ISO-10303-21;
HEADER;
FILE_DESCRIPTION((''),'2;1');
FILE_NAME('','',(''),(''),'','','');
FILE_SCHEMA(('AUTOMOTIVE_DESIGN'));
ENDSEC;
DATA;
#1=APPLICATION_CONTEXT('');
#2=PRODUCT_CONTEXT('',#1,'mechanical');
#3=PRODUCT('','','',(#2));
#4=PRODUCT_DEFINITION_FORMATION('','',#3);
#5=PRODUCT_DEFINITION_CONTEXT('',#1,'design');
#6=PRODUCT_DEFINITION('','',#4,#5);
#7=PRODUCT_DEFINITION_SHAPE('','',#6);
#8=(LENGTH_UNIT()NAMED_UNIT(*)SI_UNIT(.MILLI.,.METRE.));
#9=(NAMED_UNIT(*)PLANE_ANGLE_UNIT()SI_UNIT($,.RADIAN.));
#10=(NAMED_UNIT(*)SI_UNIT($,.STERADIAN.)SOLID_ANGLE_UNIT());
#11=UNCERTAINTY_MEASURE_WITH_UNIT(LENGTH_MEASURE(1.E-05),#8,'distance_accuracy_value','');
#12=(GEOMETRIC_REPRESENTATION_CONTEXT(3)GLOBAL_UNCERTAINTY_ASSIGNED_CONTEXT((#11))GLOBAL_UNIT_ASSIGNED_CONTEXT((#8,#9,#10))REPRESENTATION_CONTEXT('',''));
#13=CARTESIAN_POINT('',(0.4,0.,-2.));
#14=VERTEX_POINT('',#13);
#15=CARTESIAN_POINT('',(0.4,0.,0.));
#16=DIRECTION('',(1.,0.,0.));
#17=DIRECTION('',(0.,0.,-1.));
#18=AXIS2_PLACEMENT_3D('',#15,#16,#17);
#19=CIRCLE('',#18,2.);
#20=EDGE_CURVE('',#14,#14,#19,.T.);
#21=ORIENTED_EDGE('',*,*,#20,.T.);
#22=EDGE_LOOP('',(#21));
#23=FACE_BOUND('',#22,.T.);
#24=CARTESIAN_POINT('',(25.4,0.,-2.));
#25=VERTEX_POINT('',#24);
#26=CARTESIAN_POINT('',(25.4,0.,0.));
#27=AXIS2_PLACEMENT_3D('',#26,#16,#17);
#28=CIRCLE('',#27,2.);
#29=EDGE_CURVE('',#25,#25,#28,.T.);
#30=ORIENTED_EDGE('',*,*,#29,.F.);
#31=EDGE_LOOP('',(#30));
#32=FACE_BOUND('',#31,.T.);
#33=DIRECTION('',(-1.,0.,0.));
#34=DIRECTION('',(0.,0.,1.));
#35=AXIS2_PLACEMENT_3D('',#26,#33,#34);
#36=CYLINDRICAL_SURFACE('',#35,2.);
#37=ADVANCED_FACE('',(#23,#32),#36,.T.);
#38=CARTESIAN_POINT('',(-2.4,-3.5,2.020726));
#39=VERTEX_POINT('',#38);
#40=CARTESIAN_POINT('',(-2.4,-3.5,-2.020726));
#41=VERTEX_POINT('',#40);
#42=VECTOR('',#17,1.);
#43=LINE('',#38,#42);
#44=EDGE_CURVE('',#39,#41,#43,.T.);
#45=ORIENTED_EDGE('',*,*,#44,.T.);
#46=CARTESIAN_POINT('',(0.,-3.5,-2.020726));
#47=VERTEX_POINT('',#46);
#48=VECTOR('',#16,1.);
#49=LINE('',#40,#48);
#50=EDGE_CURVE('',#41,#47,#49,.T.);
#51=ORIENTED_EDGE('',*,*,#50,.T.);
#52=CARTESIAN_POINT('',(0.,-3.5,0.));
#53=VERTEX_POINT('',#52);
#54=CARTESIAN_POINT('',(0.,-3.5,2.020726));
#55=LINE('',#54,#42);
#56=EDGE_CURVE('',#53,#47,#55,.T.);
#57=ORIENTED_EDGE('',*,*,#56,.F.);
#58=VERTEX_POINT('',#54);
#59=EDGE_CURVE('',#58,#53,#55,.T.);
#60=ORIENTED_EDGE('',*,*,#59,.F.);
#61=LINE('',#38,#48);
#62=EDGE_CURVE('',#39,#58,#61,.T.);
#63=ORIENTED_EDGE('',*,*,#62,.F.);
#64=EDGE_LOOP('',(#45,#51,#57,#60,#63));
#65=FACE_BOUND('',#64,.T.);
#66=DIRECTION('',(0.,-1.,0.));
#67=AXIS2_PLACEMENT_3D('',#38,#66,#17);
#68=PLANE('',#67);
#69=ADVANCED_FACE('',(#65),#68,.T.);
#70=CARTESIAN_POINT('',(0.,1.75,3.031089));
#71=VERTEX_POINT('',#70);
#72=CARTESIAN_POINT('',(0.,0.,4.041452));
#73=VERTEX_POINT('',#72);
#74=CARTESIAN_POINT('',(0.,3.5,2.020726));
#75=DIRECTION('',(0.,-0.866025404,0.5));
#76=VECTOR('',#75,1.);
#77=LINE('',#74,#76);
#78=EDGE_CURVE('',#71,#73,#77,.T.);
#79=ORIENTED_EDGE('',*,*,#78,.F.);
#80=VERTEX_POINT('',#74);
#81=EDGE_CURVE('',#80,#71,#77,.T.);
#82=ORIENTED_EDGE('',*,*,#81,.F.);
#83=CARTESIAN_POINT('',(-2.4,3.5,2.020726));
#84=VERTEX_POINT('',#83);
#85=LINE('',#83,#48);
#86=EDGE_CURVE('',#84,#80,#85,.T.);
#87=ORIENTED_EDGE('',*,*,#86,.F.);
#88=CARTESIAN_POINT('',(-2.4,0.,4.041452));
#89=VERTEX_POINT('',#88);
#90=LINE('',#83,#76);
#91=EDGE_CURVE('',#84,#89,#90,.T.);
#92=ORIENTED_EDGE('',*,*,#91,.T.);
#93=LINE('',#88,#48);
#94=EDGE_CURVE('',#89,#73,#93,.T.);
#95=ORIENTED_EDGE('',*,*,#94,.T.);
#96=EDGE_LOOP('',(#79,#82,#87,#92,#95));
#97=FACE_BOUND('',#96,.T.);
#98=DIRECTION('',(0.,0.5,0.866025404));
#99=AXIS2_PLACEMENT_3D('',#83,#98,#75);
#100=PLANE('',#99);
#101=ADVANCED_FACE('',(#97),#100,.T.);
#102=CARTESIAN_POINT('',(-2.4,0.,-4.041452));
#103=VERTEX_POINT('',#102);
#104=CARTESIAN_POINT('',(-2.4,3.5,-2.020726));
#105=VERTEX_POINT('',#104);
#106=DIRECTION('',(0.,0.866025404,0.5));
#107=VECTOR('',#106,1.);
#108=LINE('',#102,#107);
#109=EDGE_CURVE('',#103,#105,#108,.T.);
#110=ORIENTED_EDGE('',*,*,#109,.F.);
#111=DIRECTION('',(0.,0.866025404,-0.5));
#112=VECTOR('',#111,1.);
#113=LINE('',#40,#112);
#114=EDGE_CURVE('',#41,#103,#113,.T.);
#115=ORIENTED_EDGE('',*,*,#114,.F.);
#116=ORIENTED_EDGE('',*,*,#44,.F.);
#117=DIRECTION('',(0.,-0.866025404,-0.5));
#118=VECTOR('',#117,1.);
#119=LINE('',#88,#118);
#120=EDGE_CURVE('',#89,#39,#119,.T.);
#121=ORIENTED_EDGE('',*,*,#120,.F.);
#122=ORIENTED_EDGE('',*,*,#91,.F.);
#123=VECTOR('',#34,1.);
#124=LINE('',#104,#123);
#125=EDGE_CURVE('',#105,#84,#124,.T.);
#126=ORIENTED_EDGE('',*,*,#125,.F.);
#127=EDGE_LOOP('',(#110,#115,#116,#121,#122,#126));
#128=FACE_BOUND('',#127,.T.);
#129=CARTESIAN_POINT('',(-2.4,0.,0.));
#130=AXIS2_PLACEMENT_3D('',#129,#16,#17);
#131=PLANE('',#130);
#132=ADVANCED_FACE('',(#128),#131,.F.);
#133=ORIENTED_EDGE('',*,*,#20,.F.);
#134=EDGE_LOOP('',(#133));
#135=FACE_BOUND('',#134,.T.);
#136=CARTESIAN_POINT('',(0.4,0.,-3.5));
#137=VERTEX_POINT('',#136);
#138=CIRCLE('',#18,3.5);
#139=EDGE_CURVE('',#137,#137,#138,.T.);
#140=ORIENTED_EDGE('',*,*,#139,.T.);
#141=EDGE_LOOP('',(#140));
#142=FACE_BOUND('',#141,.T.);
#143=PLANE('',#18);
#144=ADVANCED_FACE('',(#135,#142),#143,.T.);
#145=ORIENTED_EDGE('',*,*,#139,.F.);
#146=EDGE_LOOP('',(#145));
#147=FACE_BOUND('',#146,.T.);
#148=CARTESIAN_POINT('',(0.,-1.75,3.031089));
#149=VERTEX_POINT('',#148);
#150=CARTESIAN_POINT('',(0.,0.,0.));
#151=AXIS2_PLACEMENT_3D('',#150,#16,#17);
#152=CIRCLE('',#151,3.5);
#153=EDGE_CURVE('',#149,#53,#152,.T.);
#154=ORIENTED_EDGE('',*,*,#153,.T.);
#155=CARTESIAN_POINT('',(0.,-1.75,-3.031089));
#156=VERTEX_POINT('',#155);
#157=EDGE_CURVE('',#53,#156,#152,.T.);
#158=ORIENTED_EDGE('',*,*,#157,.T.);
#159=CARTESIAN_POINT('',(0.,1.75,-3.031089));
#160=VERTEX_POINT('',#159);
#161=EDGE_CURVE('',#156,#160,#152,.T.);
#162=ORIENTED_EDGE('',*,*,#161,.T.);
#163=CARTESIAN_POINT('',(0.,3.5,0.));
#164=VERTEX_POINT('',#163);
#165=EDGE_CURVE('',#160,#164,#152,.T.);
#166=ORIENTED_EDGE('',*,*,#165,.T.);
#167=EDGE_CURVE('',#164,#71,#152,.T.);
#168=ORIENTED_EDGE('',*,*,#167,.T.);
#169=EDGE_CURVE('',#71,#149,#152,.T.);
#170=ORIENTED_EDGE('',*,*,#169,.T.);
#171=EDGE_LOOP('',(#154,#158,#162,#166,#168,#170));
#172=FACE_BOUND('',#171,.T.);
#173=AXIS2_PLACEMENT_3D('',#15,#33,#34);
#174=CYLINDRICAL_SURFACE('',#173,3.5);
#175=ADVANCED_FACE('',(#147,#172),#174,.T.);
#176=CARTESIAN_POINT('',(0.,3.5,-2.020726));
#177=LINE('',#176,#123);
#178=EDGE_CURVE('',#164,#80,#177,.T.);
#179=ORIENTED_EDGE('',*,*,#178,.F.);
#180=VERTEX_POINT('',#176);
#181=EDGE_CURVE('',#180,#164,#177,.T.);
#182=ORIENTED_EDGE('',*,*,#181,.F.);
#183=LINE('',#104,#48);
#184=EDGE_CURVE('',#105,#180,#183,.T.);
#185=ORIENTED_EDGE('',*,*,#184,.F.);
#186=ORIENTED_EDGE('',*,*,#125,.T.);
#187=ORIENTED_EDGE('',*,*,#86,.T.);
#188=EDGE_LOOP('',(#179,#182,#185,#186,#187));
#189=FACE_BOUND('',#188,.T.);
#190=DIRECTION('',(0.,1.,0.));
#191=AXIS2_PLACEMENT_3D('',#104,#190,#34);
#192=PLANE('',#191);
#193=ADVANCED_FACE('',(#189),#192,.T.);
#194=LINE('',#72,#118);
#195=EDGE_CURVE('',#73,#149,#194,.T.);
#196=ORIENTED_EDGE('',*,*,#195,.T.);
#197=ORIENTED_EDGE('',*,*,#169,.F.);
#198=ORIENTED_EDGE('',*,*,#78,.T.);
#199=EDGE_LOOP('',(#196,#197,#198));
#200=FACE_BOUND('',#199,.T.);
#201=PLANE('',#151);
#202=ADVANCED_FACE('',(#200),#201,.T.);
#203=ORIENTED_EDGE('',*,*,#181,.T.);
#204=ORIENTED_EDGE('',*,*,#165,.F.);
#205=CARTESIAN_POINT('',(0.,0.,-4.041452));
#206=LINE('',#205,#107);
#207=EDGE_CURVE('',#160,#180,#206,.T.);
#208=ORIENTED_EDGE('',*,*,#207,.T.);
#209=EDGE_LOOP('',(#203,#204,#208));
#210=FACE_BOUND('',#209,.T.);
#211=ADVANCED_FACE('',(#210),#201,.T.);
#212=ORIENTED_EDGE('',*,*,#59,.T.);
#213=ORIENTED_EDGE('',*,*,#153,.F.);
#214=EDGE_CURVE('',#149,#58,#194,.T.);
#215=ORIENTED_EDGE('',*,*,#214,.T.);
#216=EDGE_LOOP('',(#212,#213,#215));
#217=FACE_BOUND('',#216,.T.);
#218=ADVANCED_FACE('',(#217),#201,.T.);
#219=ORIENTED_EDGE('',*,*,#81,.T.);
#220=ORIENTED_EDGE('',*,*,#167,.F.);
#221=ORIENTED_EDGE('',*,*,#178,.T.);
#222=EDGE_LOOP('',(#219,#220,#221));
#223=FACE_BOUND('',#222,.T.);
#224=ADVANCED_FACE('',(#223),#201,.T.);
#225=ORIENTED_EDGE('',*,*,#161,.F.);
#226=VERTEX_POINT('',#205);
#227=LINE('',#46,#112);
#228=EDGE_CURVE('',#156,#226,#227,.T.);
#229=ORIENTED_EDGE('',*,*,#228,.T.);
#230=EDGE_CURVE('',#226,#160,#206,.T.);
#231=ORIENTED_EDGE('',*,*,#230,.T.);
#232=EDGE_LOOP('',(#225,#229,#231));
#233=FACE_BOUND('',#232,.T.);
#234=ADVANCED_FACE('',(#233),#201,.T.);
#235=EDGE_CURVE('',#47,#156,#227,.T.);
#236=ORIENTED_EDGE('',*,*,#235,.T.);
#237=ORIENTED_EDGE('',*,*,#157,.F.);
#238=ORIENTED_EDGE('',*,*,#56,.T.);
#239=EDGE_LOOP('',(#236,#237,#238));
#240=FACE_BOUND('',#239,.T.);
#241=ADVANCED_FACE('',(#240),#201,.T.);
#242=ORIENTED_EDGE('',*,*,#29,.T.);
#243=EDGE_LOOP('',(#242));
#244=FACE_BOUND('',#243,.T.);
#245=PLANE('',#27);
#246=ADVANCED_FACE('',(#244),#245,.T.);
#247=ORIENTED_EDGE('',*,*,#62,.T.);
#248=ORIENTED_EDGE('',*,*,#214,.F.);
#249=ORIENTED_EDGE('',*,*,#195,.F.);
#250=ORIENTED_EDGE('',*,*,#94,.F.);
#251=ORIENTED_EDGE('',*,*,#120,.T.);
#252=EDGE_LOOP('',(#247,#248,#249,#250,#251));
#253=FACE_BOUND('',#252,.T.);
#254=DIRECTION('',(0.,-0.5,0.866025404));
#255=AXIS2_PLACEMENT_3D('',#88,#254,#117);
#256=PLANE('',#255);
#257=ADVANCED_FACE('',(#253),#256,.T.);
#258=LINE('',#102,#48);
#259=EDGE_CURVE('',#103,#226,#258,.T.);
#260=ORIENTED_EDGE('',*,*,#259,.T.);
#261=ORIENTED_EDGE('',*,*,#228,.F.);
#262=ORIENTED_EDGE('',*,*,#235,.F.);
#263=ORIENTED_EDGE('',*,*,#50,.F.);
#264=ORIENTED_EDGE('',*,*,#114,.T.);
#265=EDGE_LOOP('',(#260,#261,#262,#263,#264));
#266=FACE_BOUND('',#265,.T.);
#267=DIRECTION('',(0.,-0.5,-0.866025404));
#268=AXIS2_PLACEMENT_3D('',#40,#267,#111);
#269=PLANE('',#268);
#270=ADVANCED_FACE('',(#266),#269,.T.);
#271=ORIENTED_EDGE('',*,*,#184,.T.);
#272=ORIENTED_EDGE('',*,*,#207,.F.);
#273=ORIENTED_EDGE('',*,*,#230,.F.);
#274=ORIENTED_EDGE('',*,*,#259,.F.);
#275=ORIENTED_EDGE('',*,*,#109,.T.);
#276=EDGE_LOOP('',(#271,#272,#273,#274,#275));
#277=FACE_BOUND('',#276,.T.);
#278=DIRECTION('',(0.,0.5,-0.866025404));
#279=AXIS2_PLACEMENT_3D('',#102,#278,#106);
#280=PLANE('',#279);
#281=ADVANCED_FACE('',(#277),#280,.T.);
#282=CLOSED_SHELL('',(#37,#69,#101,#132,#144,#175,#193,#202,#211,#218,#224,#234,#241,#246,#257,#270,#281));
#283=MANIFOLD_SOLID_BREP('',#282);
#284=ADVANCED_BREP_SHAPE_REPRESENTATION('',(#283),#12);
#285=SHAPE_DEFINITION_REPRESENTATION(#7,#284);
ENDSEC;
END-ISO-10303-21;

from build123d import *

# Parameters (mm, degrees)
BOSS_EXTRUDE1_DEPTH = 2.4
SKETCH2_R           = 3.5
BOSS_EXTRUDE2_DEPTH = 0.4
SKETCH3_R           = 2
BOSS_EXTRUDE3_DEPTH = 25


with BuildPart() as part:
    # Sketch1 → Boss-Extrude1 (new body)
    with BuildSketch(Plane(origin=(0, 0, 0), x_dir=(0, 0, -1), z_dir=(1, 0, 0))):
        Polygon((-4.041451884, 0), (-2.020725942, -3.5), (2.020725942, -3.5), (4.041451884, 0), (2.020725942, 3.5), (-2.020725942, 3.5), align=None)
    extrude(amount=-BOSS_EXTRUDE1_DEPTH)

    # Sketch2 → Boss-Extrude2 (add)
    with BuildSketch(Plane(origin=(0, 0, 0), x_dir=(0, 0, -1), z_dir=(1, 0, 0))):
        with Locations(Location((0, 0, 0), (0, 0, 150))):
            Circle(SKETCH2_R)
    extrude(amount=BOSS_EXTRUDE2_DEPTH)

    # Sketch3 → Boss-Extrude3 (add)
    with BuildSketch(Plane(origin=(0.4, 0, 0), x_dir=(0, 0, -1), z_dir=(1, 0, 0))):
        Circle(SKETCH3_R)
    extrude(amount=BOSS_EXTRUDE3_DEPTH)


solid = part.part
